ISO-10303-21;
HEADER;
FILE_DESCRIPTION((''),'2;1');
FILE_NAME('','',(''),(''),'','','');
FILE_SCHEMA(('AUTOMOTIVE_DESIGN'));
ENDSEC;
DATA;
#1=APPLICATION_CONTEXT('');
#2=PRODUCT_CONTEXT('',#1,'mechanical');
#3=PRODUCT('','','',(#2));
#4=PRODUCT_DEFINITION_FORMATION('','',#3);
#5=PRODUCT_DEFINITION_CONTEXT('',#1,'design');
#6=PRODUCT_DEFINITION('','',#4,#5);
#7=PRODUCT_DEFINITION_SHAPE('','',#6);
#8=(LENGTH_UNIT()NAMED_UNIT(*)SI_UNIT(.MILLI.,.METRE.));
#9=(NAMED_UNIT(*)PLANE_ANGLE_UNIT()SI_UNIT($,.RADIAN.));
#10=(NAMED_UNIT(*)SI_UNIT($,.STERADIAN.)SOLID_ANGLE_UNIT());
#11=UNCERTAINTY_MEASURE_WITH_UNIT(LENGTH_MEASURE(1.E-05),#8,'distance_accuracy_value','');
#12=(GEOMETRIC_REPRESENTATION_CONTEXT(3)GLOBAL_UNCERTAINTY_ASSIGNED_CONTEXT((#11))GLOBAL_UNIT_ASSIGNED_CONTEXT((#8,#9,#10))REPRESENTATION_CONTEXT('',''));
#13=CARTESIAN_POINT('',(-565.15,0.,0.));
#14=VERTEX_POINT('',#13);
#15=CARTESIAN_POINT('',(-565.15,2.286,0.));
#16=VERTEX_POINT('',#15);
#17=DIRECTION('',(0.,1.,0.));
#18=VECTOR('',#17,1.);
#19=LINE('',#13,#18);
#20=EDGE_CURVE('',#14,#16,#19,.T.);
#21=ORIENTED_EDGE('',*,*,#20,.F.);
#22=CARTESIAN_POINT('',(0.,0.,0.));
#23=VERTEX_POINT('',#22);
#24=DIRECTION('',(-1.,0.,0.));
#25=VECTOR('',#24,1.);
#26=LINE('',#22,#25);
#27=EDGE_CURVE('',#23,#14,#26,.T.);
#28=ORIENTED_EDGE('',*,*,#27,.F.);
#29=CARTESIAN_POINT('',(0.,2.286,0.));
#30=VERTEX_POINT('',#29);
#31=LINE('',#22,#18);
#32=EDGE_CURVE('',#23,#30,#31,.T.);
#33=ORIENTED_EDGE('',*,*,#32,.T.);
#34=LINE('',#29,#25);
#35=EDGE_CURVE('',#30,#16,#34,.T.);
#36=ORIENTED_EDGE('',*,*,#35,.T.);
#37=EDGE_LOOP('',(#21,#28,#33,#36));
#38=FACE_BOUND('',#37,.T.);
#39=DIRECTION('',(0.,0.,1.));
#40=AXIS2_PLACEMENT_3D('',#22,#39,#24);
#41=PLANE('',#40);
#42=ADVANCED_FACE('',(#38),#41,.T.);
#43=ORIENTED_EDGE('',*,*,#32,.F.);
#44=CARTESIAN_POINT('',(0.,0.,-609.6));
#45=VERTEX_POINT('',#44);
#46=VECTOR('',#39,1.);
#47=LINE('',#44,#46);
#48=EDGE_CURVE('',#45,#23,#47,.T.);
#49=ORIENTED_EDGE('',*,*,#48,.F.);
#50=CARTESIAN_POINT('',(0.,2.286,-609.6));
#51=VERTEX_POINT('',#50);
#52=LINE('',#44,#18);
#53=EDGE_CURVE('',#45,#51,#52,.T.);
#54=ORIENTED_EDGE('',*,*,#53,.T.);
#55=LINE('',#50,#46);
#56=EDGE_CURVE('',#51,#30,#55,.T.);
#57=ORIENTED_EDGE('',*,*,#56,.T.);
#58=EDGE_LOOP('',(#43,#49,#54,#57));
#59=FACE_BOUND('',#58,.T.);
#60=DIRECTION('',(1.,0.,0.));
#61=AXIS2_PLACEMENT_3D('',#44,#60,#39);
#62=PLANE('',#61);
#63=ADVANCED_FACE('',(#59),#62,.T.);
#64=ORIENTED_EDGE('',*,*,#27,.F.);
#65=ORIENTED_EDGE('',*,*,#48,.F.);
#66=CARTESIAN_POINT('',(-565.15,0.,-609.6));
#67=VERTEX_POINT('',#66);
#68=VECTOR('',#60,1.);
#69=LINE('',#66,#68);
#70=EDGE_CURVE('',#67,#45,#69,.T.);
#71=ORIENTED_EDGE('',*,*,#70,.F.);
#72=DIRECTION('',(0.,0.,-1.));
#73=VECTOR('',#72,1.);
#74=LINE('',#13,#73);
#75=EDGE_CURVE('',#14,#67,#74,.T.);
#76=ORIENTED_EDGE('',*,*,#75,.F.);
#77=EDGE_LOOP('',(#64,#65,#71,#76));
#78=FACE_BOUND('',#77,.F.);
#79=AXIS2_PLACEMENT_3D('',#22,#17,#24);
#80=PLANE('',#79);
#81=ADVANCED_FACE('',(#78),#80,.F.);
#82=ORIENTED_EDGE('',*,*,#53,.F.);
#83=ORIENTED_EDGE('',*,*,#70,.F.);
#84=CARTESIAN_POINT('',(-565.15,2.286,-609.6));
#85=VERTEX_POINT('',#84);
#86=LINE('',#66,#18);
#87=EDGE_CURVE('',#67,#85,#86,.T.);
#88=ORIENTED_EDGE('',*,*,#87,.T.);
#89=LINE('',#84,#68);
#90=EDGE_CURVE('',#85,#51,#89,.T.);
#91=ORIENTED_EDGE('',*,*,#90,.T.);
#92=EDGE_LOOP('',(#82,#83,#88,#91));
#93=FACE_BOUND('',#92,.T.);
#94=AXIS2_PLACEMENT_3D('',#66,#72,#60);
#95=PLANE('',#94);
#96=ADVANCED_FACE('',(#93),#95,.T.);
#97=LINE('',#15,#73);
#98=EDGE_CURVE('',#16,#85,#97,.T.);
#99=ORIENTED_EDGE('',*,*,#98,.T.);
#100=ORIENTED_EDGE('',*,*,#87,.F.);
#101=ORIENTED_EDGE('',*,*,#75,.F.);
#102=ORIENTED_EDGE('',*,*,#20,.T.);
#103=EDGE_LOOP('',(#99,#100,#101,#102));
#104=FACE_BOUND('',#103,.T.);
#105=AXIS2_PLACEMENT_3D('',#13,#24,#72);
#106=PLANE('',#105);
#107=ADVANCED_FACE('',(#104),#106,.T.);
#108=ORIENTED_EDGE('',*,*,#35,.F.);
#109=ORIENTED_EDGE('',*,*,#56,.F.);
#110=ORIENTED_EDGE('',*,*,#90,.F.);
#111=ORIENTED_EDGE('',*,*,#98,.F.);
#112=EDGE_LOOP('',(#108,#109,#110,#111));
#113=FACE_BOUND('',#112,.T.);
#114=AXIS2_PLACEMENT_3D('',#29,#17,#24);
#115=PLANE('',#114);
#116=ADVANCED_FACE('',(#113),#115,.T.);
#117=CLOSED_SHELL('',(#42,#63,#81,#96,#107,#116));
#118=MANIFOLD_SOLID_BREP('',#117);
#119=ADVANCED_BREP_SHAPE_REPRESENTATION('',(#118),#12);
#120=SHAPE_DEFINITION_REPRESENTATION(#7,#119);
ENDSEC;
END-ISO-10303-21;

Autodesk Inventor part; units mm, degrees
ref_plane "YZ Plane" through (0, 0, 0) normal (1, 0, 0) x (0, 1, 0)
ref_plane "XZ Plane" through (0, 0, 0) normal (0, 1, 0) x (-1, 0, 0)
ref_plane "XY Plane" through (0, 0, 0) normal (0, 0, 1) x (1, 0, 0)
sketch "Sketch1" plane through (0, 0, 0) normal (0, 1, 0) x (-1, 0, 0)
  line L0 (0, 0) -> (565.15, 0)
  line L1 (565.15, 0) -> (565.15, -609.6)
  line L2 (565.15, -609.6) -> (0, -609.6)
  line L3 (0, -609.6) -> (0, 0)
  dimension "d0" = 565.15
  dimension "d1" = 609.6
extrude "Extrusion1" add sketch "Sketch1" along normal blind 2.286
properties part number "WJ_CLB_0.09inPlate"
